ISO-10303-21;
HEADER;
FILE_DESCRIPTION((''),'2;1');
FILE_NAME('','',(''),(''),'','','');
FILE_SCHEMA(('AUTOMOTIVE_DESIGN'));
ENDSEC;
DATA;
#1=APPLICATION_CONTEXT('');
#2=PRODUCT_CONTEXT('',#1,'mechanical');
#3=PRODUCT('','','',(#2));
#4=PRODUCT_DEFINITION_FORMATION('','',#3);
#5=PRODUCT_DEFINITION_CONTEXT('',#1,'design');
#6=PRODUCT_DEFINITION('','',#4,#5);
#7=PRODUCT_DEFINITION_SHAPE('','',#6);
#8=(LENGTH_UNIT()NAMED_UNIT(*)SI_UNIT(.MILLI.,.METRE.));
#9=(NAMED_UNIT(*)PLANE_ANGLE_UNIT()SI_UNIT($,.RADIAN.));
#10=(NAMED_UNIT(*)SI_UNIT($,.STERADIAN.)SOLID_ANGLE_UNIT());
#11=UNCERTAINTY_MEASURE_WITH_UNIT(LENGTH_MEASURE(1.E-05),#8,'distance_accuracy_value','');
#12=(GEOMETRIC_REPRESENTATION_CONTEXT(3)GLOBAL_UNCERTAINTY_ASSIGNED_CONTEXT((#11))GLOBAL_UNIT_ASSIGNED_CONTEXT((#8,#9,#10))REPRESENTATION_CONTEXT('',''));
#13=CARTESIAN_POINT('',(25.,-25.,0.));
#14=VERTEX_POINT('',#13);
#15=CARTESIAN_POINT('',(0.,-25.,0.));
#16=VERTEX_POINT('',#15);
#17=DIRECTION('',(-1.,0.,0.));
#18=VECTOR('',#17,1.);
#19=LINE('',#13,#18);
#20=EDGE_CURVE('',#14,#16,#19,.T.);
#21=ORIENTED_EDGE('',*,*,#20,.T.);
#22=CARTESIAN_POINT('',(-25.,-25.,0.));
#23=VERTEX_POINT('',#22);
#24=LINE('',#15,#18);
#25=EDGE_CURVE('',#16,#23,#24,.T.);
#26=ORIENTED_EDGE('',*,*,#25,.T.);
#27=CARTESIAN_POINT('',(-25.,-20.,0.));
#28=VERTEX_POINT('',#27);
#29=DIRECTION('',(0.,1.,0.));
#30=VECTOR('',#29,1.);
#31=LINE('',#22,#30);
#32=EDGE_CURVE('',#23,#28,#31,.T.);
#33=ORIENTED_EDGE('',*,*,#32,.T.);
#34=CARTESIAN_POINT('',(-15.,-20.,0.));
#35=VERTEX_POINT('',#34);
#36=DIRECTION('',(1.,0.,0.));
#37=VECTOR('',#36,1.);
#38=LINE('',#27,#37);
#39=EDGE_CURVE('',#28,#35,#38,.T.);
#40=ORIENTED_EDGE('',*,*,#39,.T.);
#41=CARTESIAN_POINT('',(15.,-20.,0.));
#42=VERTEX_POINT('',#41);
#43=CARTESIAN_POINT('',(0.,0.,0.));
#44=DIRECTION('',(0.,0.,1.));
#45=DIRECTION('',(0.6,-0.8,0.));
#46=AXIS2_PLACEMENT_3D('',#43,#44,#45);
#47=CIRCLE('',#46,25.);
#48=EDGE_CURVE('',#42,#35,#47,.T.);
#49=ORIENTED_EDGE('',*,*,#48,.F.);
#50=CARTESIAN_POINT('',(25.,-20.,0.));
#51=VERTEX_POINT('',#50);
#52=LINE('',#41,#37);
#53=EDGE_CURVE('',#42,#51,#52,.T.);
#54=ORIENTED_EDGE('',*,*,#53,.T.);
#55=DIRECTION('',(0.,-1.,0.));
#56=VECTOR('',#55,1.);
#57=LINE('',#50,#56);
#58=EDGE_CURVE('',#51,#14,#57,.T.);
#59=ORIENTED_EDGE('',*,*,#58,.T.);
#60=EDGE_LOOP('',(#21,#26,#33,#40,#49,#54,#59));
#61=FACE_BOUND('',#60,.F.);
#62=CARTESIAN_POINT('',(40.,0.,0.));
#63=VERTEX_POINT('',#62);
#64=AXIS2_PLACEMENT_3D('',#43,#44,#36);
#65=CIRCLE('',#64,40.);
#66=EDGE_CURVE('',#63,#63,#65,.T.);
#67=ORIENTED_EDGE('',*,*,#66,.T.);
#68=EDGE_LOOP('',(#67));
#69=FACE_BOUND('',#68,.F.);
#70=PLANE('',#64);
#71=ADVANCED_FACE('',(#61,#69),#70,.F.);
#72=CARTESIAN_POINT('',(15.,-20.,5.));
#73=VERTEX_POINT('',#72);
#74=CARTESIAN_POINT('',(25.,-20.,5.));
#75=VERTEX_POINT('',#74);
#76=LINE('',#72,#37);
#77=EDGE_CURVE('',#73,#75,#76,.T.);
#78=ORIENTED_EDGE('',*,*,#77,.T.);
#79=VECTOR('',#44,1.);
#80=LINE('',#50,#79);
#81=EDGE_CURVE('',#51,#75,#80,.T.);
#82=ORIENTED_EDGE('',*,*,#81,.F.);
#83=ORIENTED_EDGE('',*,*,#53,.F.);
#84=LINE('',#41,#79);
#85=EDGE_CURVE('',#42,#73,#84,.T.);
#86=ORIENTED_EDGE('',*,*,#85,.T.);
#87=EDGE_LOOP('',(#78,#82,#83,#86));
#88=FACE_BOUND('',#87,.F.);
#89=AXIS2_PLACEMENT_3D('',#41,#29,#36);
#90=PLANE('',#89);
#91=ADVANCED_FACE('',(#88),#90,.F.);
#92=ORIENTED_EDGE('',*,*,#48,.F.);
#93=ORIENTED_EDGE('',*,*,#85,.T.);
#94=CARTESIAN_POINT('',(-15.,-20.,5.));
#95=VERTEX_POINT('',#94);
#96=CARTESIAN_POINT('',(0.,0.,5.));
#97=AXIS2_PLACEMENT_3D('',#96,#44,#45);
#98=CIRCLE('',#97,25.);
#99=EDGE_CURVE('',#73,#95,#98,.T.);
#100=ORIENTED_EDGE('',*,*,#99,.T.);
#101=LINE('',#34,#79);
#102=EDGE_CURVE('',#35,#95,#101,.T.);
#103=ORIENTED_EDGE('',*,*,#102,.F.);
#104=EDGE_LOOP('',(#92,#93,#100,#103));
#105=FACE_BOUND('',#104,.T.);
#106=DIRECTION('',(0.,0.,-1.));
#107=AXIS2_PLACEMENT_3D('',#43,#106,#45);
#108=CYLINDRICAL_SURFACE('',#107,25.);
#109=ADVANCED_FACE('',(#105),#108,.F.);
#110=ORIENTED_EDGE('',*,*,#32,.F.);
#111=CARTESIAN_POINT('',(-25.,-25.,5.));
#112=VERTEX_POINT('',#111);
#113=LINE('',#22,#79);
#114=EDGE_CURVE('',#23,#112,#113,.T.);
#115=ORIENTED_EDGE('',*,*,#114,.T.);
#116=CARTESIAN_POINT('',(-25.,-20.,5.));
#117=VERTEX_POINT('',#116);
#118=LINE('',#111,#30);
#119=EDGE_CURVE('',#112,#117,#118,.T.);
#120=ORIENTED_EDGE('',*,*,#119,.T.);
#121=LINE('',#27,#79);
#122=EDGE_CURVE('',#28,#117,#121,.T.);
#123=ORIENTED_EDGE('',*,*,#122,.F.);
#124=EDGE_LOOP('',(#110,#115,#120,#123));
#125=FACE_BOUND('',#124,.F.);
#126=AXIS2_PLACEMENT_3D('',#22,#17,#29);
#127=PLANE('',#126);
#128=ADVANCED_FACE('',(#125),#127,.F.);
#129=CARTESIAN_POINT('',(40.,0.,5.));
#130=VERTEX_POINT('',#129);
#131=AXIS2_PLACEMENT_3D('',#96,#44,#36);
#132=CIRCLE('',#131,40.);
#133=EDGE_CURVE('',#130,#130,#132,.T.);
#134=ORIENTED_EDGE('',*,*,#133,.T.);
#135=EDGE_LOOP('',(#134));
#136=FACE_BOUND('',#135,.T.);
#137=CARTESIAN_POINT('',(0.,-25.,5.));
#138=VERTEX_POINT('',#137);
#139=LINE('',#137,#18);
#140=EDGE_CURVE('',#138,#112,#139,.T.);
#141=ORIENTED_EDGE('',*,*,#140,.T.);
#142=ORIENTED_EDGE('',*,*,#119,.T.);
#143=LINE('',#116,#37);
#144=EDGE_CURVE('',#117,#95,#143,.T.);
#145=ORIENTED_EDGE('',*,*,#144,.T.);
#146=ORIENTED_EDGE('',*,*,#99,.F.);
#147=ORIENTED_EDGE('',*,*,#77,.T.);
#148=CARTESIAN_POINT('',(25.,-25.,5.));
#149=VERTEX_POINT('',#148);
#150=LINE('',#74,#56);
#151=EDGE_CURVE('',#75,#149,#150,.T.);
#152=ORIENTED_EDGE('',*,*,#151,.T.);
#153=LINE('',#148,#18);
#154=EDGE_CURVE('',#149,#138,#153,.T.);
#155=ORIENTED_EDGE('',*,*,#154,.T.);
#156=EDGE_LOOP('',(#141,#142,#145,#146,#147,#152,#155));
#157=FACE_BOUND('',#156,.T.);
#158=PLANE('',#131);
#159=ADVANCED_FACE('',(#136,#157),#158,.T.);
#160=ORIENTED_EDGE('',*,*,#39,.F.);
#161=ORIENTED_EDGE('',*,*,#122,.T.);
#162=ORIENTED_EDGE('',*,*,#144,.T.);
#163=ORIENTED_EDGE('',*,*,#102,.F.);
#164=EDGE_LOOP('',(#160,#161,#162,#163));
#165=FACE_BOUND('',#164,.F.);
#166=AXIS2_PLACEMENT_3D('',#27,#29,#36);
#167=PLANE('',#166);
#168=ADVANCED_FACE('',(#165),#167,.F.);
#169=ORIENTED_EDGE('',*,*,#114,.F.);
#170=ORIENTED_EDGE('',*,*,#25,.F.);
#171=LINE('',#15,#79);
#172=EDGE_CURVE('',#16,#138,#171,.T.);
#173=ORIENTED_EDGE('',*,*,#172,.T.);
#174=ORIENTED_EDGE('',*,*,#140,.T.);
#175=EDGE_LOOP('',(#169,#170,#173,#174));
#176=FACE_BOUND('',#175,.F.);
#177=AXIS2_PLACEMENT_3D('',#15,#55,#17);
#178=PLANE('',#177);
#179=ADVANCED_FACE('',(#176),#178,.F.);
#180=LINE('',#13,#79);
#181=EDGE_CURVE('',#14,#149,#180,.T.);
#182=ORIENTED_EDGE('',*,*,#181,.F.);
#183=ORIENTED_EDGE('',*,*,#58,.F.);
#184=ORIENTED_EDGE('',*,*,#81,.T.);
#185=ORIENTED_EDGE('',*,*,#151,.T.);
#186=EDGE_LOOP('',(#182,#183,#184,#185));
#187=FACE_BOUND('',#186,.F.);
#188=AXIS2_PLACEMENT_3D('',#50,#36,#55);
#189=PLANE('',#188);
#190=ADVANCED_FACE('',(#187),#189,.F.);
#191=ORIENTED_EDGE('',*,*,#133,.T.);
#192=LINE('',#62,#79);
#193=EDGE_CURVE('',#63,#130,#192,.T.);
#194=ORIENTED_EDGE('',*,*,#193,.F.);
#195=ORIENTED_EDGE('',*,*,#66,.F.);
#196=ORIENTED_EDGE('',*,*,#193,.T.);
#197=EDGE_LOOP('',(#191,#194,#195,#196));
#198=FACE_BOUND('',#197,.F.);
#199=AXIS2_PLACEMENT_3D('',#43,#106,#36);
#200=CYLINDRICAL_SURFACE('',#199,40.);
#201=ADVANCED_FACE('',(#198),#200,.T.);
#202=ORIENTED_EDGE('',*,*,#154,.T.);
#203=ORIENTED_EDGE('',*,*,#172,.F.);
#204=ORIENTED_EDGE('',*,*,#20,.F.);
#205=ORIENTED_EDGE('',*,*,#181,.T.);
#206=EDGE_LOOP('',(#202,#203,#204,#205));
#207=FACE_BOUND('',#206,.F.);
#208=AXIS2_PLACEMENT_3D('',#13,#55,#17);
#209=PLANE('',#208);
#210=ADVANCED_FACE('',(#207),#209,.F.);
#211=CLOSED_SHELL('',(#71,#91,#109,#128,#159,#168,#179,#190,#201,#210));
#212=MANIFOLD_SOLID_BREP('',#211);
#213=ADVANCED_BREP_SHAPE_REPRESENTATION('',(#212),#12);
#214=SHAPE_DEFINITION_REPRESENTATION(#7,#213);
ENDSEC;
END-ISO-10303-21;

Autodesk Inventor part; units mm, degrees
ref_plane "YZ Plane" through (0, 0, 0) normal (1, 0, 0) x (0, 1, 0)
ref_plane "XZ Plane" through (0, 0, 0) normal (0, 1, 0) x (-1, 0, 0)
ref_plane "XY Plane" through (0, 0, 0) normal (0, 0, 1) x (1, 0, 0)
sketch "Sketch1" plane through (0, 0, 0) normal (0, 0, 1) x (1, 0, 0)
  circle A0 centre (0, 0) radius 40
  arc A1 (15, -20) -> (-15, -20) centre (0, 0) ccw
  line L0 (0, -25) -> (-25, -25)
  line L1 (-25, -25) -> (-25, -20)
  line L2 (25, -20) -> (25, -25)
  line L3 (25, -25) -> (0, -25)
  line L4 (-25, -20) -> (-15, -20)
  line L5 (15, -20) -> (25, -20)
  dimension "d0" = 80
  dimension "d1" = 50
  dimension "d2" = 25
  dimension "d3" = 5
  dimension "d4" = 50
extrude "Extrusion1" add sketch "Sketch1" along normal blind 5
